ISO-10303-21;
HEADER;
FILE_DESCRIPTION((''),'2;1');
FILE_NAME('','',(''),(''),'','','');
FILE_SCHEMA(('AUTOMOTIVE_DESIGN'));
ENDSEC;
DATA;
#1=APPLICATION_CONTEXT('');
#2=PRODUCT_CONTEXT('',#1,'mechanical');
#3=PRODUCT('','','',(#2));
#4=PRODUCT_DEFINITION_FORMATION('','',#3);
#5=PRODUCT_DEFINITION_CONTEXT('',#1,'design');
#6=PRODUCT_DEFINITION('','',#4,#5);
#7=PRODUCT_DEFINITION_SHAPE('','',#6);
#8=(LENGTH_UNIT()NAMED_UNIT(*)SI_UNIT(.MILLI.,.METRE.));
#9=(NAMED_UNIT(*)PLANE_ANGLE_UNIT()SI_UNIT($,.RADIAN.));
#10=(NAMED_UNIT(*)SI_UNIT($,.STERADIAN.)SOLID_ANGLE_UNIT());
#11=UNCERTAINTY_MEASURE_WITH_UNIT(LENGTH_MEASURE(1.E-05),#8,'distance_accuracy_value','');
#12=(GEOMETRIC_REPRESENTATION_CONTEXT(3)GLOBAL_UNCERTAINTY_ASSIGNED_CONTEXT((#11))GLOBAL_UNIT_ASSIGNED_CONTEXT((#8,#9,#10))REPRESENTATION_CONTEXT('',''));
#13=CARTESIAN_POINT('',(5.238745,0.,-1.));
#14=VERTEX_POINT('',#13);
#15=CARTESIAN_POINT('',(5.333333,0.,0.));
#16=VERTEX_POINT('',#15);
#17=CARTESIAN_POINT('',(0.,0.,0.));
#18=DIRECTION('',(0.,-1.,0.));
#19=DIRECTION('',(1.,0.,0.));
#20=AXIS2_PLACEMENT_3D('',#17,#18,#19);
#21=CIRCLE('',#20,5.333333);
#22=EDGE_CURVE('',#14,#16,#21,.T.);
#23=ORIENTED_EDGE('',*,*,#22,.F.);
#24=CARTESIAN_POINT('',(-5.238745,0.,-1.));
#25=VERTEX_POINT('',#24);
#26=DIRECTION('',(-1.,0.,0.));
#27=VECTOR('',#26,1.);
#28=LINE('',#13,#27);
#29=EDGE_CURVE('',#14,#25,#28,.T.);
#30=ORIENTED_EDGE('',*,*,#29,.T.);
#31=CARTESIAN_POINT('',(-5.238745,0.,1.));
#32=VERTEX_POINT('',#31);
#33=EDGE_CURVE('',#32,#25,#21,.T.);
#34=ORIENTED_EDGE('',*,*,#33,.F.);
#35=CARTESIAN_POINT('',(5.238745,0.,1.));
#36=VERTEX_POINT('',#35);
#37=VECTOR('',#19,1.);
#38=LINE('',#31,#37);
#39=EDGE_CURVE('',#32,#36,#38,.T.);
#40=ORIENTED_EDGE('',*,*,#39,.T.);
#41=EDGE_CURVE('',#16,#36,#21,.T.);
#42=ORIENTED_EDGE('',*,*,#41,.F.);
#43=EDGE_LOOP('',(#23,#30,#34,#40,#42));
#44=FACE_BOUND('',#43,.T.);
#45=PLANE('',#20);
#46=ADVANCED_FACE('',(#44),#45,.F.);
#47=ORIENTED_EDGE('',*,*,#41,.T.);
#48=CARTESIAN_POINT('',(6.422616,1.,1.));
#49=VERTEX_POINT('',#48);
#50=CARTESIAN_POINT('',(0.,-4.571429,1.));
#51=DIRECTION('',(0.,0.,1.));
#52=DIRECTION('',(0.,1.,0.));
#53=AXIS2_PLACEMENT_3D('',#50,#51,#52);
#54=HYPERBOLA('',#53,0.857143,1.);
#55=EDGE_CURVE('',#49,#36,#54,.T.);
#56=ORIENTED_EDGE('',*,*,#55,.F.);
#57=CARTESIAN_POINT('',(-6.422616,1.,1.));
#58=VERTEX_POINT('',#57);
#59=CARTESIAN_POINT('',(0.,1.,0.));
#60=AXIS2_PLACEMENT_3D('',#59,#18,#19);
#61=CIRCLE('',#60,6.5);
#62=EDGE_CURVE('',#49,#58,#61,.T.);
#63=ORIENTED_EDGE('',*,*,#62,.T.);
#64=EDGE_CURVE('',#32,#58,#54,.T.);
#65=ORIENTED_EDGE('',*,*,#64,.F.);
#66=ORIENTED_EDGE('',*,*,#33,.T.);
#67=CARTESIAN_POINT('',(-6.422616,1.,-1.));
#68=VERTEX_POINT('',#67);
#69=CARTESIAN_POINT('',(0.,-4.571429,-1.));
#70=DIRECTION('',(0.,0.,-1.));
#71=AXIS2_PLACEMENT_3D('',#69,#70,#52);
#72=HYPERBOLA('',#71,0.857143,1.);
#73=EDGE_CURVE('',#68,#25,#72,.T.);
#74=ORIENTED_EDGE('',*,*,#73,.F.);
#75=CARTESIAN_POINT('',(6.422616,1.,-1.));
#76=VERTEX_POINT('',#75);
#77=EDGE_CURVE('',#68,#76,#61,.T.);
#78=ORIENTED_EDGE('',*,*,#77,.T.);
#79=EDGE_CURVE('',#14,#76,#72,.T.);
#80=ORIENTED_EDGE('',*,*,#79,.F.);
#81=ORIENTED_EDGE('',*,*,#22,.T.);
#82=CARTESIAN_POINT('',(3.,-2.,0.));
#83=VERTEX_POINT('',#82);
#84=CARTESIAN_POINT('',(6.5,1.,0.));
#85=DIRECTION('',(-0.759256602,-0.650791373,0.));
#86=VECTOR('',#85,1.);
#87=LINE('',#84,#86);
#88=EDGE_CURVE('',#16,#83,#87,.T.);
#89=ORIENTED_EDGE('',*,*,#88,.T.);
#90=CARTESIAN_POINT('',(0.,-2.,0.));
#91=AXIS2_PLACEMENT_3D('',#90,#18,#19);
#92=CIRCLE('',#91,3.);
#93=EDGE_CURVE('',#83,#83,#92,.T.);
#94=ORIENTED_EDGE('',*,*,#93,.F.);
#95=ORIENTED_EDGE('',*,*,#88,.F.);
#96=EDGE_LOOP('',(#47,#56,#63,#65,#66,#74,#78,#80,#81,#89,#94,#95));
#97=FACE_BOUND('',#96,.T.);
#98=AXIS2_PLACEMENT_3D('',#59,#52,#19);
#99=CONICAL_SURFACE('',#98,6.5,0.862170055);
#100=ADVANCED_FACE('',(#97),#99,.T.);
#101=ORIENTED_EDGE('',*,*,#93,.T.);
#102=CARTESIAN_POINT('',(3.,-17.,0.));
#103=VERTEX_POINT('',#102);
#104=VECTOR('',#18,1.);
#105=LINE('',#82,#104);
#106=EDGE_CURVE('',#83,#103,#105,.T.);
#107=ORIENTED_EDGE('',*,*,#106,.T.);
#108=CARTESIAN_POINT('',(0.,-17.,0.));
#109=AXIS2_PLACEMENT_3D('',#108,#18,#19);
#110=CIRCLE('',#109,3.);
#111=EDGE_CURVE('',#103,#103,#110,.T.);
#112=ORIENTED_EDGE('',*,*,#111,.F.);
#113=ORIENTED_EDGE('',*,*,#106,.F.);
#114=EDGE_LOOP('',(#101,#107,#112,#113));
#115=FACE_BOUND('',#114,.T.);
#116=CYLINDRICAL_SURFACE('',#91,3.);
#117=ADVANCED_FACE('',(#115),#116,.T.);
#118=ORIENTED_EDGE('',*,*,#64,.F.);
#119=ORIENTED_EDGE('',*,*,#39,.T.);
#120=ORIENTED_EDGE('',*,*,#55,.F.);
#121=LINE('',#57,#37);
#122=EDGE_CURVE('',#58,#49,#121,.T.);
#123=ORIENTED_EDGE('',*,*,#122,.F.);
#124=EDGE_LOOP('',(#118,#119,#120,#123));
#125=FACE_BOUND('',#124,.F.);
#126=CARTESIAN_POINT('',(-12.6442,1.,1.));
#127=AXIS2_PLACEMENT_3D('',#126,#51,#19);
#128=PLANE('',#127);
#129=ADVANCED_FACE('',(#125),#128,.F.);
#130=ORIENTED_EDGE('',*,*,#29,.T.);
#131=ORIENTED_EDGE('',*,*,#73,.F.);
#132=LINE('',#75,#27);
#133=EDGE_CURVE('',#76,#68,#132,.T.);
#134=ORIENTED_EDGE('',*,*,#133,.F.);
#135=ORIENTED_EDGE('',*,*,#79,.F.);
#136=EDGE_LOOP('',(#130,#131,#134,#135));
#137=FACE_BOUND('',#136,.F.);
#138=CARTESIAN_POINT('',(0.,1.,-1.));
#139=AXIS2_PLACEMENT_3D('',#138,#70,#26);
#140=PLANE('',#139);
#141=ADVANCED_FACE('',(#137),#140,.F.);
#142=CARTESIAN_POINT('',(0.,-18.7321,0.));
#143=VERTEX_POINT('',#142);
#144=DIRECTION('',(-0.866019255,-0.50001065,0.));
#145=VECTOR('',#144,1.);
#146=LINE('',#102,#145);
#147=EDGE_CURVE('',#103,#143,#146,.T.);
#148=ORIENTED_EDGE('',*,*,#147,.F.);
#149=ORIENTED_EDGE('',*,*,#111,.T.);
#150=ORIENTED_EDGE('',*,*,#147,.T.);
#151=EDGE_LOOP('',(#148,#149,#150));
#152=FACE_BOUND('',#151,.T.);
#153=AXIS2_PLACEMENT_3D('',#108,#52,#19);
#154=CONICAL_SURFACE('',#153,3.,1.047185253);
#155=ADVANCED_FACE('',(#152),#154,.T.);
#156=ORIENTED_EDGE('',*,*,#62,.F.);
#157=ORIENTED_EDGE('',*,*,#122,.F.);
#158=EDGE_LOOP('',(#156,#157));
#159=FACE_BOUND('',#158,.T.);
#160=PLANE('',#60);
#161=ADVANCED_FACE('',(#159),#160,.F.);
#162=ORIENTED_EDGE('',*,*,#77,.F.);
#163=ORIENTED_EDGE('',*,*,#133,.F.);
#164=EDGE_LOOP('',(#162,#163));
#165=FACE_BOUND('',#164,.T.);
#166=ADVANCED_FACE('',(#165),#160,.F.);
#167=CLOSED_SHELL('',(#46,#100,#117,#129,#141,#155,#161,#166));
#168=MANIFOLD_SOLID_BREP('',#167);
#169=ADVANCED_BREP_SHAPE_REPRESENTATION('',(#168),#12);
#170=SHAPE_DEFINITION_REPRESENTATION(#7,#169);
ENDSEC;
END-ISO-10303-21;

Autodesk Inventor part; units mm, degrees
ref_plane "YZ Plane" through (0, 0, 0) normal (1, 0, 0) x (0, 1, 0)
ref_plane "XZ Plane" through (0, 0, 0) normal (0, 1, 0) x (-1, 0, 0)
ref_plane "XY Plane" through (0, 0, 0) normal (0, 0, 1) x (1, 0, 0)
sketch "Sketch1" plane through (0, 0, 0) normal (0, 0, 1) x (1, 0, 0)
  line L0 (0, 15.0207) -> (0, -34.9793) construction
  line L1 (0, 15.0207) -> (50, 15.0207) construction
  line L2 (0, 0) -> (1, 0)
  line L3 (1, 0) -> (1, 1)
  line L4 (1, 1) -> (6.5, 1)
  line L5 (6.5, 1) -> (3, -2)
  line L6 (3, -2) -> (3, -17)
  line L7 (3, -17) -> (0, -18.7321)
  line L8 (0, -26.021) -> (0, -26.021)
  line L9 (0, 0) -> (0, -18.7321)
  dimension "d4" = 50
  dimension "d6" = 1
  dimension "d7" = 1
  dimension "d8" = 5.5
  dimension "d9" = 3
  dimension "d10" = 0
  dimension "d11" = 0
  dimension "d12" = 15
  dimension "d13" = 3
  dimension "d15" = 60
  dimension "d17" = 60
  dimension "d18" = 139.399
  dimension "d19" = 15.0207
  dimension "d20" = 41.0417
revolve "Revolution1" add sketch "Sketch1" angle 360 about axis through (0, 15.0207, 0) along (0, -1, 0)
sketch "Sketch2" plane through (0, 1, 0) normal (0, 1, 0) x (1, 0, 0)
  line L0 (-12.6442, -1) -> (7.3558, -1)
  line L1 (7.3558, -1) -> (7.3558, 1)
  line L2 (7.3558, 1) -> (-12.6442, 1)
  line L3 (-12.6442, 1) -> (-12.6442, -1)
  circle A0 centre (0, 0) radius 1 projected
  dimension "d23" = 20
  dimension "d24" = 2
  dimension "d25" = 0
extrude "Extrusion1" cut sketch "Sketch2" against normal blind 1
properties part number "Pieza10 IG"
